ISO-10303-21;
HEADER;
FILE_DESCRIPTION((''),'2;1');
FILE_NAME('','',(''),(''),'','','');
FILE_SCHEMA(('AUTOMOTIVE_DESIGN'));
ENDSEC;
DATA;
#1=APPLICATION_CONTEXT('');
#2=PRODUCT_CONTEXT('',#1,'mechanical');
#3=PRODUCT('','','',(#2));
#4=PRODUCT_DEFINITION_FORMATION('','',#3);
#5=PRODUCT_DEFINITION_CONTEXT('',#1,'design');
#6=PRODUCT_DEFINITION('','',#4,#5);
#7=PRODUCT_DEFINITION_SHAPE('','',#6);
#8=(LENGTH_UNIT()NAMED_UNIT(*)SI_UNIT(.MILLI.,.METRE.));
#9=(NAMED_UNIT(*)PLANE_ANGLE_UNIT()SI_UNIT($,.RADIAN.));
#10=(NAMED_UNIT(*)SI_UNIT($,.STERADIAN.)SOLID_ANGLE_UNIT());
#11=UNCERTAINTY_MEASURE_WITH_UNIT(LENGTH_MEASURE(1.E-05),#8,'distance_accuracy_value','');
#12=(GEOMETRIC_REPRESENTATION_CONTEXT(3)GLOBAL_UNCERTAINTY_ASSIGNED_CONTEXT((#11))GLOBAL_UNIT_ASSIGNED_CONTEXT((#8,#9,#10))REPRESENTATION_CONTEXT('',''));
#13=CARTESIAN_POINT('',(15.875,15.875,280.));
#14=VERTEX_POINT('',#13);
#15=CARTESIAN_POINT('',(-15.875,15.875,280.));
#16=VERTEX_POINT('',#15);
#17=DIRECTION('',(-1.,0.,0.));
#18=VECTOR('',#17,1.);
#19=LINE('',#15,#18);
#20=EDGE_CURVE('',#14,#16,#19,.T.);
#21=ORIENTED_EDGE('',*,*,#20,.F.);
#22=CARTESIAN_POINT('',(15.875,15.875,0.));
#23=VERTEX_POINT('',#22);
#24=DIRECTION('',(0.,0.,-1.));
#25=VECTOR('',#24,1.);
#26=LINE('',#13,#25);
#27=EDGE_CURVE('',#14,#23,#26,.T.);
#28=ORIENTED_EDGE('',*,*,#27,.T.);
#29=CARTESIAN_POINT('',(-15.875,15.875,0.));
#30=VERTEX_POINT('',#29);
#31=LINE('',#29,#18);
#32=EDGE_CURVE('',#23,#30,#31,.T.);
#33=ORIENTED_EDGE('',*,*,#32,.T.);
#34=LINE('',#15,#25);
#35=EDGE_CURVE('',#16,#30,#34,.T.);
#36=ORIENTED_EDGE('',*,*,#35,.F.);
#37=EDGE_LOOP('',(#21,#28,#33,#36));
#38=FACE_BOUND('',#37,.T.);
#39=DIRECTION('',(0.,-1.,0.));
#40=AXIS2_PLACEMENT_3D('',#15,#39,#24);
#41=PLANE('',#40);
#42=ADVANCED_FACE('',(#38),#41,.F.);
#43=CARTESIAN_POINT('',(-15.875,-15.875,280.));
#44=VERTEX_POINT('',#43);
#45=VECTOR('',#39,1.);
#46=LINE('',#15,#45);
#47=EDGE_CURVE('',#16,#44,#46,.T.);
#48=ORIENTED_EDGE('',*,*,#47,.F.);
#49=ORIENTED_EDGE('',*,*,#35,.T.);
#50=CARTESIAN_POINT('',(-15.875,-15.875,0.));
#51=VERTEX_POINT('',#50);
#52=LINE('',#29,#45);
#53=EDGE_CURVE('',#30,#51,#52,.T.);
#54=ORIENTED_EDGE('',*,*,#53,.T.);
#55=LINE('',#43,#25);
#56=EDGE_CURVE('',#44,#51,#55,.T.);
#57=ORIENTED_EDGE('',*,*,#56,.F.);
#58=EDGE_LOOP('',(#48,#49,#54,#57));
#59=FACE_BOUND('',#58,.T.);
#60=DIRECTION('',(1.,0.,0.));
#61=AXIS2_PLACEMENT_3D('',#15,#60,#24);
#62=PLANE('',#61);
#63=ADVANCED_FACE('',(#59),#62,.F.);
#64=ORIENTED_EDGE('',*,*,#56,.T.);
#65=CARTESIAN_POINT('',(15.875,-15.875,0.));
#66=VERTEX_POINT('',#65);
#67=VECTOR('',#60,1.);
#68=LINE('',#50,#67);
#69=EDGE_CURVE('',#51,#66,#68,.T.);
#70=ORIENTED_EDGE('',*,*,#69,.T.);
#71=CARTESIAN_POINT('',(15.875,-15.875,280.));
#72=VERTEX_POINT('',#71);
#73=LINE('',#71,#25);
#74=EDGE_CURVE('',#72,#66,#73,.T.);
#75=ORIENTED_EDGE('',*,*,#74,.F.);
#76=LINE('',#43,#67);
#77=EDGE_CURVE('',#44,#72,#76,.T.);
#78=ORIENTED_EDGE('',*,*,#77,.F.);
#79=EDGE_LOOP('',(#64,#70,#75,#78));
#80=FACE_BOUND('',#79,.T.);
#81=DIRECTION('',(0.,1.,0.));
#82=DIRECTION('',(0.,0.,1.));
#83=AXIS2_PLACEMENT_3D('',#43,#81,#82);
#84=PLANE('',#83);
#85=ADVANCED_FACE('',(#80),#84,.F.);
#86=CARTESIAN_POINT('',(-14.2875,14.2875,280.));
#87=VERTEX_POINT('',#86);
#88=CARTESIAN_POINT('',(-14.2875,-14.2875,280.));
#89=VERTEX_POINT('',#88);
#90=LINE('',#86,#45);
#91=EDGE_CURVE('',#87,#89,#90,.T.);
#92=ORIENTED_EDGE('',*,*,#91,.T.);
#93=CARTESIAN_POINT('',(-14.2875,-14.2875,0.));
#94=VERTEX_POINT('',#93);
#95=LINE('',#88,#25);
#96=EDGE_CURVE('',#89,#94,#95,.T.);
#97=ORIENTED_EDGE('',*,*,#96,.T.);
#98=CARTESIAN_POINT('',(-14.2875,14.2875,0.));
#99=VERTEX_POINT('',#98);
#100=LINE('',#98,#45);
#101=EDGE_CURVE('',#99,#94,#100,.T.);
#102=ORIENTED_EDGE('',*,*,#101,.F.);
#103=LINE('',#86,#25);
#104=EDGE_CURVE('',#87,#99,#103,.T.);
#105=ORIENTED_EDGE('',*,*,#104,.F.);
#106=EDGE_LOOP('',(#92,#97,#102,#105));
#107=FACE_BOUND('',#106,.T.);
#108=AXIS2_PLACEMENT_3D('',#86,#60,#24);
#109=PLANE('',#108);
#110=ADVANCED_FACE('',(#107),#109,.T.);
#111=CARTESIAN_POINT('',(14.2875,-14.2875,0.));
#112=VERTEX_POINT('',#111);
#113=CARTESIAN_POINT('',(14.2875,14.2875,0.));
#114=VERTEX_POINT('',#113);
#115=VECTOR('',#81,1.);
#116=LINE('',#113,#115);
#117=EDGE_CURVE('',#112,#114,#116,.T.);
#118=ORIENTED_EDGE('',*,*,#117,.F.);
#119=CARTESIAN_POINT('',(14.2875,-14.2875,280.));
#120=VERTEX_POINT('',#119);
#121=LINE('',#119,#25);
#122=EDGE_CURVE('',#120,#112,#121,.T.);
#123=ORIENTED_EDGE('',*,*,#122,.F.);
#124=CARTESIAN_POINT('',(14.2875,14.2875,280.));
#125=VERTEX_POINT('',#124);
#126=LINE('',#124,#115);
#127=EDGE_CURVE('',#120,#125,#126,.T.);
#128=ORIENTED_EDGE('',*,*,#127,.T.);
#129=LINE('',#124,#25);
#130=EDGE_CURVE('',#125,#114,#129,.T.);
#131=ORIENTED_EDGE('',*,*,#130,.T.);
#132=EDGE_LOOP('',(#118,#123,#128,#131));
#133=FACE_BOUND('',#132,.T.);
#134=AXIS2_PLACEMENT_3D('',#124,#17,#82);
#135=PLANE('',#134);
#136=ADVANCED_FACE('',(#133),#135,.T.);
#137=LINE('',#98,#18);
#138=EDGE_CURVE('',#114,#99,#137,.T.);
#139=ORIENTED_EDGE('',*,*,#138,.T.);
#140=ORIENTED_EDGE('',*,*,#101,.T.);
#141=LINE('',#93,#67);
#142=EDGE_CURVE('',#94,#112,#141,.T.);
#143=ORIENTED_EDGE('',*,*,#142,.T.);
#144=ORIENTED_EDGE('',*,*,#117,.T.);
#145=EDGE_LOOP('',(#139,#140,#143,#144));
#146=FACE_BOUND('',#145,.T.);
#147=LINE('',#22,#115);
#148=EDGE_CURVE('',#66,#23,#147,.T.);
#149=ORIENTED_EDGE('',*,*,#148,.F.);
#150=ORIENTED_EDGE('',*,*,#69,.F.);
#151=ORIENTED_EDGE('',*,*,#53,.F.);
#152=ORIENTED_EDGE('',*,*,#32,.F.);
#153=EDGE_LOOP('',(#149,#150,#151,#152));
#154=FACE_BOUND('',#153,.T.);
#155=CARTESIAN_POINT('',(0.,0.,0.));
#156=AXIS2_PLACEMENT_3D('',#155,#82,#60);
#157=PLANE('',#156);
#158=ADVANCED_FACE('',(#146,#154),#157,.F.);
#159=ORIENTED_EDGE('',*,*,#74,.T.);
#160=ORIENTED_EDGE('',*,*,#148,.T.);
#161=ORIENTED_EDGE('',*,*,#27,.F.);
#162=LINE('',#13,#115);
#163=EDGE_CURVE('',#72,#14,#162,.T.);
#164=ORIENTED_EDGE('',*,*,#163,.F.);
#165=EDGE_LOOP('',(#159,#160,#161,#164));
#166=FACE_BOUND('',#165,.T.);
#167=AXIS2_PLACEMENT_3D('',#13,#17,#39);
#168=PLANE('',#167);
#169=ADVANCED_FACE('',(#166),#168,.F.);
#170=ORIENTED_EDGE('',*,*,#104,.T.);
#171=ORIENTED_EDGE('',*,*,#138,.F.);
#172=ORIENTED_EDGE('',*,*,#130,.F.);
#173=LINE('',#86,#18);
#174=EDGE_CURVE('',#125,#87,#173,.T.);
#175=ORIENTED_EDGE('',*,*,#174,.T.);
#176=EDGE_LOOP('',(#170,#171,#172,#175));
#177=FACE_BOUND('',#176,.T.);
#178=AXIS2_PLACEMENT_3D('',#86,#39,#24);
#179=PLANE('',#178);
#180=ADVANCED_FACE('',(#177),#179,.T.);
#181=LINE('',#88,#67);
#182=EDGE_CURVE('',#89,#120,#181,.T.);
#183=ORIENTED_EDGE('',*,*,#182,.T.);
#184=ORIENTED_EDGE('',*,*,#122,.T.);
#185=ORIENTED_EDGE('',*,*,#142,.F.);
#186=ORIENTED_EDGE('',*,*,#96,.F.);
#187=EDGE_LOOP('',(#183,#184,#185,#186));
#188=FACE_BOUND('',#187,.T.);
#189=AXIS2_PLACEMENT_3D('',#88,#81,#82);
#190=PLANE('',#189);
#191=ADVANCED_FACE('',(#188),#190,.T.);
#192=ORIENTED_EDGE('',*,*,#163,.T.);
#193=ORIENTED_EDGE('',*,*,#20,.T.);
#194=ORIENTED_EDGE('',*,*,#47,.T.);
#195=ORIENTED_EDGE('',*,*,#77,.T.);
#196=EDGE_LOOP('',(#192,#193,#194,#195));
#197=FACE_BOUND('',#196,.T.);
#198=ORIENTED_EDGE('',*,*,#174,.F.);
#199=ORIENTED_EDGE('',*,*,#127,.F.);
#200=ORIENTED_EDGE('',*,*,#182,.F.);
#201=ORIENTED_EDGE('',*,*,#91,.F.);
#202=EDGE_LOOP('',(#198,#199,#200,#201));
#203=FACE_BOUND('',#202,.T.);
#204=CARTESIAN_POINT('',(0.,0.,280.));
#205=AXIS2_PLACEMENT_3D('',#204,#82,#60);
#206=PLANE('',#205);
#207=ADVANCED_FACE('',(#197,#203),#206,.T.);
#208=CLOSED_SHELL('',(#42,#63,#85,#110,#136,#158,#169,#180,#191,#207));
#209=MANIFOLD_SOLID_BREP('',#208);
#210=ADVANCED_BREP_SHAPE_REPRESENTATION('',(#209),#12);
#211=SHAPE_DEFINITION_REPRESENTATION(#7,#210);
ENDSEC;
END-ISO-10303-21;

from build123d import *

# Parameters (mm, degrees)
SKETCH1_W           = 31.75
SKETCH1_H           = 31.75
SKETCH1_W_2         = 28.575
SKETCH1_H_2         = 28.575
BOSS_EXTRUDE1_DEPTH = 280


with BuildPart() as part:
    # Sketch1 → Boss-Extrude1 (new body)
    with BuildSketch(Plane.XY):
        Rectangle(SKETCH1_W, SKETCH1_H)
        Rectangle(SKETCH1_W_2, SKETCH1_H_2, mode=Mode.SUBTRACT)
    extrude(amount=BOSS_EXTRUDE1_DEPTH)


solid = part.part
